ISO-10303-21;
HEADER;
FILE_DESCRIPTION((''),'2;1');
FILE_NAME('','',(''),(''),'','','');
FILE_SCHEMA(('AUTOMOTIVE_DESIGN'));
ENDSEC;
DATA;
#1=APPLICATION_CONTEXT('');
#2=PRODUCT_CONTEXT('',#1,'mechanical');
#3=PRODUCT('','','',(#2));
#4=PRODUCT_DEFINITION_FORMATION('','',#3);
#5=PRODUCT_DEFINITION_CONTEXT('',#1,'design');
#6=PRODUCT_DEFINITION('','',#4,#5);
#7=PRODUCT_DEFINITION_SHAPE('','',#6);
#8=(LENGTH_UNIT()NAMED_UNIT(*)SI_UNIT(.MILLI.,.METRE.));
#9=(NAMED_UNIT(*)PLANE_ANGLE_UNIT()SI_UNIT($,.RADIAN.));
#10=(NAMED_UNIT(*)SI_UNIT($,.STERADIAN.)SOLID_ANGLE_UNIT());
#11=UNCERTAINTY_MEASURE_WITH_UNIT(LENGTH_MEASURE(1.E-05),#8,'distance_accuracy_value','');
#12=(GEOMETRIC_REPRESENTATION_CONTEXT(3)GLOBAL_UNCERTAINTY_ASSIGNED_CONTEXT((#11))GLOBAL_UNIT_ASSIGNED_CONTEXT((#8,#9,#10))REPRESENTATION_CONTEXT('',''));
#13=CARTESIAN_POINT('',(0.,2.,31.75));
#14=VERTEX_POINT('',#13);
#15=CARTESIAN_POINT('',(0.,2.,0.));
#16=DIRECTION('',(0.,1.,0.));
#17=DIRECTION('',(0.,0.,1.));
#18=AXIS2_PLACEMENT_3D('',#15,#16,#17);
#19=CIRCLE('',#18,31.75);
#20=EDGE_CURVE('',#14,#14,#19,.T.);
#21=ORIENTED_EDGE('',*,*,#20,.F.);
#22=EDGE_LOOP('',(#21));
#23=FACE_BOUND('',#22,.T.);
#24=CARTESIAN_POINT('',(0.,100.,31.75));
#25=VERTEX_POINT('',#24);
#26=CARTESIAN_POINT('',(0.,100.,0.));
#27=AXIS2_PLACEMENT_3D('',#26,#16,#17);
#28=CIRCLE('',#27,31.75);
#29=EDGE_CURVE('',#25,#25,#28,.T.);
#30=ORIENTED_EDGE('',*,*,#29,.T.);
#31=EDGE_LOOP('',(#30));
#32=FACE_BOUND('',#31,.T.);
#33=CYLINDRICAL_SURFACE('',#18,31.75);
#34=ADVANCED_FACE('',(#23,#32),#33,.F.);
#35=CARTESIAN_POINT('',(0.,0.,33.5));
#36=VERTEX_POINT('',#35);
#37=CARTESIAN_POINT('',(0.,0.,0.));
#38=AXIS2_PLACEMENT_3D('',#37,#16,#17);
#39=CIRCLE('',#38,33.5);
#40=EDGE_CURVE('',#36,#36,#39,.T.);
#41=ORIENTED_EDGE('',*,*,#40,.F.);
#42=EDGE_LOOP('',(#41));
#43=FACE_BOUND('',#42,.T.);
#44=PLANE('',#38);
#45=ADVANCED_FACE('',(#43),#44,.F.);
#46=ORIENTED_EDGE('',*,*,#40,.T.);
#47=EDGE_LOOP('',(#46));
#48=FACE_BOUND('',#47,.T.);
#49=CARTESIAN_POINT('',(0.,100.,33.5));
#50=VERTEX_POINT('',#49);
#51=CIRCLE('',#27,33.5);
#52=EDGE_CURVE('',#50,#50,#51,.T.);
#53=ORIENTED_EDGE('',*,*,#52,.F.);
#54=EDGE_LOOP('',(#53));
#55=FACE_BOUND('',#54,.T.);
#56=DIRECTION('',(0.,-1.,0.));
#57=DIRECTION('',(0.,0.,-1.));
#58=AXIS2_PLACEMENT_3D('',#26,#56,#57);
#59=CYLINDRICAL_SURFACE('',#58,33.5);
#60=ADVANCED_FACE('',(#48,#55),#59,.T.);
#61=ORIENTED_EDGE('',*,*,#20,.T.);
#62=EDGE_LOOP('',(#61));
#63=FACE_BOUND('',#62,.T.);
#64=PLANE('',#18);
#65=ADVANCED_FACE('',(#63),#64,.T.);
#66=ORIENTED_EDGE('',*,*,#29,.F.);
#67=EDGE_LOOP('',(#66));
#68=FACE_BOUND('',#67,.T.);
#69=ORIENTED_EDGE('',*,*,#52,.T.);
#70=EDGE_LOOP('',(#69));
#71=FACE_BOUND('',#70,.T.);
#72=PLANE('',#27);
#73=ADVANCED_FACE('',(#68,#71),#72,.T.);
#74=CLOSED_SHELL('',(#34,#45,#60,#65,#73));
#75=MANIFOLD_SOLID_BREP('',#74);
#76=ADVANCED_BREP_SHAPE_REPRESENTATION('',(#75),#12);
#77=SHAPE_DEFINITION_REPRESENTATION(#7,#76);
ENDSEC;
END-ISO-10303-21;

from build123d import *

# Parameters (mm, degrees)
SKETCH1_R           = 33.5
BOSS_EXTRUDE1_DEPTH = 100
SKETCH2_R           = 31.75
CUT_EXTRUDE1_DEPTH  = 98


with BuildPart() as part:
    # Sketch1 → Boss-Extrude1 (new body)
    with BuildSketch(Plane(origin=(0, 0, 0), x_dir=(1, 0, 0), z_dir=(0, 1, 0))):
        with Locations(Location((0, 0, 0), (0, 0, 270))):
            Circle(SKETCH1_R)
    extrude(amount=BOSS_EXTRUDE1_DEPTH)

    # Sketch2 → Cut-Extrude1 (cut)
    with BuildSketch(Plane(origin=(0, 100, 0), x_dir=(1, 0, 0), z_dir=(0, 1, 0))):
        with Locations(Location((0, 0, 0), (0, 0, 270))):
            Circle(SKETCH2_R)
    extrude(amount=-CUT_EXTRUDE1_DEPTH, mode=Mode.SUBTRACT)


solid = part.part
